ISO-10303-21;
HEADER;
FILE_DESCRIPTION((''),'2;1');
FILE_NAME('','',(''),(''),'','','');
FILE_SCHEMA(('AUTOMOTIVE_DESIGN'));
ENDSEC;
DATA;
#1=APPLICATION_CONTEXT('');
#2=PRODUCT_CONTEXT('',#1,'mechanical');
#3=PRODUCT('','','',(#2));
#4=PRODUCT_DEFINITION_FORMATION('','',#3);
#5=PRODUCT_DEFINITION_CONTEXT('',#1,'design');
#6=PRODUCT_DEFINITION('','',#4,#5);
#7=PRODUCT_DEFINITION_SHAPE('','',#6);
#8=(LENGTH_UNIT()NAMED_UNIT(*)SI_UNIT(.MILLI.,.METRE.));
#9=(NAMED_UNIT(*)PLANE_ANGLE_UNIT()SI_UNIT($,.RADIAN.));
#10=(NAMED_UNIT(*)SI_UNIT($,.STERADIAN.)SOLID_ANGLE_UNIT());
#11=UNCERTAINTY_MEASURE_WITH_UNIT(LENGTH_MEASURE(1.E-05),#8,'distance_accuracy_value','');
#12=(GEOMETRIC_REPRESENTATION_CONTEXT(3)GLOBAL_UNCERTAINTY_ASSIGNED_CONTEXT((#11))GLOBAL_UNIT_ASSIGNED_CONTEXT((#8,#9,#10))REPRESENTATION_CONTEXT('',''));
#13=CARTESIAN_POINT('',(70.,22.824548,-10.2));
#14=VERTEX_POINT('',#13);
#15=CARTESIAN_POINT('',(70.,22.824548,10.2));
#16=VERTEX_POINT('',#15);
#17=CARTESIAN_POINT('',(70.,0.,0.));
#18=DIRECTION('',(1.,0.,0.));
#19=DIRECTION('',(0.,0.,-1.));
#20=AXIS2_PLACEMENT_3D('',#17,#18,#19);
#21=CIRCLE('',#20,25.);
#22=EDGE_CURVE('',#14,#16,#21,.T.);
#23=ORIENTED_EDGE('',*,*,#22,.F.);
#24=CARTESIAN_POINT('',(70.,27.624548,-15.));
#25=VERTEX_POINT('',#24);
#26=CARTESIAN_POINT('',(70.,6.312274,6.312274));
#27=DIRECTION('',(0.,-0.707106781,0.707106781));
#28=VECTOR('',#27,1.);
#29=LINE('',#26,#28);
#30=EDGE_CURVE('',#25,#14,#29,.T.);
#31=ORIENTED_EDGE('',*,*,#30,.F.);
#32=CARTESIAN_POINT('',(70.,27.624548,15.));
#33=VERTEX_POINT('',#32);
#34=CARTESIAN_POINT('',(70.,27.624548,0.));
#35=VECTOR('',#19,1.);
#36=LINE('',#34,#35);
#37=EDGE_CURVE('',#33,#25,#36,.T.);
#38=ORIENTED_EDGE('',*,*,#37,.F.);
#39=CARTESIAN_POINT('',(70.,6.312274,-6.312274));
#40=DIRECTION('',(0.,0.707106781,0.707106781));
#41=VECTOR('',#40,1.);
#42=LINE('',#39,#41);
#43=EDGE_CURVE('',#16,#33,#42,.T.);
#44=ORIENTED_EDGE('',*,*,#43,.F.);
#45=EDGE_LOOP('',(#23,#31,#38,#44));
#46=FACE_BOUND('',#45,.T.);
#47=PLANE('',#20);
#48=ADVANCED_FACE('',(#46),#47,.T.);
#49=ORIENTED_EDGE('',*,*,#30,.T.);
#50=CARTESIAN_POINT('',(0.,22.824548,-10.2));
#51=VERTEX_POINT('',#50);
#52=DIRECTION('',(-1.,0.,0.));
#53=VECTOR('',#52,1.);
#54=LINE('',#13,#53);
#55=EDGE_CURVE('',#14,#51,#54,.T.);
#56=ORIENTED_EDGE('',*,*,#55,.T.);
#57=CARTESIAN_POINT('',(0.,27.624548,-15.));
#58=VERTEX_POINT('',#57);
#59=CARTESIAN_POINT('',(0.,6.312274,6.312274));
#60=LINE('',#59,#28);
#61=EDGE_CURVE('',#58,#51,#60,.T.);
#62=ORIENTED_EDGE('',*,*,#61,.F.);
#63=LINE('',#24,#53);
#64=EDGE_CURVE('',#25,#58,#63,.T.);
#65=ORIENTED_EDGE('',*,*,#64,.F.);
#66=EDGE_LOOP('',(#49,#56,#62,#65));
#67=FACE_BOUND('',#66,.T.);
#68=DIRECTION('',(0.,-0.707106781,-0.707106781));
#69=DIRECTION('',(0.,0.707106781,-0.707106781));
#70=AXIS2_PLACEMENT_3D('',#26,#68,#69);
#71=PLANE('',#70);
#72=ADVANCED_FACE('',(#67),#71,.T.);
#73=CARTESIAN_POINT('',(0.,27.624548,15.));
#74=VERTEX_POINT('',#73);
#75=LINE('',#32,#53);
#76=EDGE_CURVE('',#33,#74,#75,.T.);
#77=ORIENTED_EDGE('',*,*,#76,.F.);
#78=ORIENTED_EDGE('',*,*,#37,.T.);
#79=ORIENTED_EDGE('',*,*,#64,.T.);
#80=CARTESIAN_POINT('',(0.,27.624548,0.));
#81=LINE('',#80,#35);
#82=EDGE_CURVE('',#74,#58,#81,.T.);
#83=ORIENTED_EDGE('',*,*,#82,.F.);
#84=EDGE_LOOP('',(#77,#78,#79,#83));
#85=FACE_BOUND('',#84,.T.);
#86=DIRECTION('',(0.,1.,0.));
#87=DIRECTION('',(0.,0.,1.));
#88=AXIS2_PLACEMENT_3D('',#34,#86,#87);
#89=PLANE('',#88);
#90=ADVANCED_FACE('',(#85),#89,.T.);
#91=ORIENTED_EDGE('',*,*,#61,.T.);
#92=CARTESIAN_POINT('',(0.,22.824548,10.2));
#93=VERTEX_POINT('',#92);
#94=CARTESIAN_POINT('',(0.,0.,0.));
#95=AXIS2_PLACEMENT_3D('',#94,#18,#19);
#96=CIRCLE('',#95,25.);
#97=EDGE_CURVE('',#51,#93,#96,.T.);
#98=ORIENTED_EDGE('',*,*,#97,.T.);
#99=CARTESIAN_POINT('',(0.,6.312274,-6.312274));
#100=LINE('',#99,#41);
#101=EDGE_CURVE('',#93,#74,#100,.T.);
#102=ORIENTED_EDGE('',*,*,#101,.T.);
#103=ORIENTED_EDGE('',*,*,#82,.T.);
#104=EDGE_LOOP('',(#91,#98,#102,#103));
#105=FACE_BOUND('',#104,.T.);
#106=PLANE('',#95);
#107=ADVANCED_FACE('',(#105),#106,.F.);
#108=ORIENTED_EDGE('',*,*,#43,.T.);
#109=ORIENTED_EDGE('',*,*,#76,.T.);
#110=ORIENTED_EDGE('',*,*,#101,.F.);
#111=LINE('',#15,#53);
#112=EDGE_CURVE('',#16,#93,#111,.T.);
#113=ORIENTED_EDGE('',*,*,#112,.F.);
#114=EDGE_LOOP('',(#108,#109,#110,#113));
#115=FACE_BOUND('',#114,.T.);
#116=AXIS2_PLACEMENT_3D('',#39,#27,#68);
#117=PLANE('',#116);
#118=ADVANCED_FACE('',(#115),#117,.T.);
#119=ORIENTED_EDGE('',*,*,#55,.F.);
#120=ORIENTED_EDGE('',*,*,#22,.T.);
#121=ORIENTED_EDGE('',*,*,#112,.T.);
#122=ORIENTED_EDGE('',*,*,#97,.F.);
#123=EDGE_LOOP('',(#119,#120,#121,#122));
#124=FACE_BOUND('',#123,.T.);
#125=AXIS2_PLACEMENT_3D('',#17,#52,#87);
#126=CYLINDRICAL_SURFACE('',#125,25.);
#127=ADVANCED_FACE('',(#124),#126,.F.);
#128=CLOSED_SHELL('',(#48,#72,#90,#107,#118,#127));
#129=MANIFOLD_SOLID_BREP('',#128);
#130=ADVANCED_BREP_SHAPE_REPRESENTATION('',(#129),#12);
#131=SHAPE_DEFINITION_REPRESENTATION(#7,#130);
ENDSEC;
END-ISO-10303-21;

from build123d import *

# Parameters (mm, degrees)
EXTRUDE_1_DEPTH = 70


with BuildPart() as part:
    # Эскиз1 → Бобышка-Вытянуть1 (new body)
    with BuildSketch(Plane(origin=(0, 0, 0), x_dir=(0, 0, -1), z_dir=(1, 0, 0))):
        with BuildLine():
            Line((-15, 27.624548188), (-10.2, 22.824548188))
            ThreePointArc((-10.2, 22.824548188), (0, 25), (10.2, 22.824548188))
            Line((10.2, 22.824548188), (15, 27.624548188))
            Line((15, 27.624548188), (-15, 27.624548188))
        make_face()
    extrude(amount=EXTRUDE_1_DEPTH)


solid = part.part
